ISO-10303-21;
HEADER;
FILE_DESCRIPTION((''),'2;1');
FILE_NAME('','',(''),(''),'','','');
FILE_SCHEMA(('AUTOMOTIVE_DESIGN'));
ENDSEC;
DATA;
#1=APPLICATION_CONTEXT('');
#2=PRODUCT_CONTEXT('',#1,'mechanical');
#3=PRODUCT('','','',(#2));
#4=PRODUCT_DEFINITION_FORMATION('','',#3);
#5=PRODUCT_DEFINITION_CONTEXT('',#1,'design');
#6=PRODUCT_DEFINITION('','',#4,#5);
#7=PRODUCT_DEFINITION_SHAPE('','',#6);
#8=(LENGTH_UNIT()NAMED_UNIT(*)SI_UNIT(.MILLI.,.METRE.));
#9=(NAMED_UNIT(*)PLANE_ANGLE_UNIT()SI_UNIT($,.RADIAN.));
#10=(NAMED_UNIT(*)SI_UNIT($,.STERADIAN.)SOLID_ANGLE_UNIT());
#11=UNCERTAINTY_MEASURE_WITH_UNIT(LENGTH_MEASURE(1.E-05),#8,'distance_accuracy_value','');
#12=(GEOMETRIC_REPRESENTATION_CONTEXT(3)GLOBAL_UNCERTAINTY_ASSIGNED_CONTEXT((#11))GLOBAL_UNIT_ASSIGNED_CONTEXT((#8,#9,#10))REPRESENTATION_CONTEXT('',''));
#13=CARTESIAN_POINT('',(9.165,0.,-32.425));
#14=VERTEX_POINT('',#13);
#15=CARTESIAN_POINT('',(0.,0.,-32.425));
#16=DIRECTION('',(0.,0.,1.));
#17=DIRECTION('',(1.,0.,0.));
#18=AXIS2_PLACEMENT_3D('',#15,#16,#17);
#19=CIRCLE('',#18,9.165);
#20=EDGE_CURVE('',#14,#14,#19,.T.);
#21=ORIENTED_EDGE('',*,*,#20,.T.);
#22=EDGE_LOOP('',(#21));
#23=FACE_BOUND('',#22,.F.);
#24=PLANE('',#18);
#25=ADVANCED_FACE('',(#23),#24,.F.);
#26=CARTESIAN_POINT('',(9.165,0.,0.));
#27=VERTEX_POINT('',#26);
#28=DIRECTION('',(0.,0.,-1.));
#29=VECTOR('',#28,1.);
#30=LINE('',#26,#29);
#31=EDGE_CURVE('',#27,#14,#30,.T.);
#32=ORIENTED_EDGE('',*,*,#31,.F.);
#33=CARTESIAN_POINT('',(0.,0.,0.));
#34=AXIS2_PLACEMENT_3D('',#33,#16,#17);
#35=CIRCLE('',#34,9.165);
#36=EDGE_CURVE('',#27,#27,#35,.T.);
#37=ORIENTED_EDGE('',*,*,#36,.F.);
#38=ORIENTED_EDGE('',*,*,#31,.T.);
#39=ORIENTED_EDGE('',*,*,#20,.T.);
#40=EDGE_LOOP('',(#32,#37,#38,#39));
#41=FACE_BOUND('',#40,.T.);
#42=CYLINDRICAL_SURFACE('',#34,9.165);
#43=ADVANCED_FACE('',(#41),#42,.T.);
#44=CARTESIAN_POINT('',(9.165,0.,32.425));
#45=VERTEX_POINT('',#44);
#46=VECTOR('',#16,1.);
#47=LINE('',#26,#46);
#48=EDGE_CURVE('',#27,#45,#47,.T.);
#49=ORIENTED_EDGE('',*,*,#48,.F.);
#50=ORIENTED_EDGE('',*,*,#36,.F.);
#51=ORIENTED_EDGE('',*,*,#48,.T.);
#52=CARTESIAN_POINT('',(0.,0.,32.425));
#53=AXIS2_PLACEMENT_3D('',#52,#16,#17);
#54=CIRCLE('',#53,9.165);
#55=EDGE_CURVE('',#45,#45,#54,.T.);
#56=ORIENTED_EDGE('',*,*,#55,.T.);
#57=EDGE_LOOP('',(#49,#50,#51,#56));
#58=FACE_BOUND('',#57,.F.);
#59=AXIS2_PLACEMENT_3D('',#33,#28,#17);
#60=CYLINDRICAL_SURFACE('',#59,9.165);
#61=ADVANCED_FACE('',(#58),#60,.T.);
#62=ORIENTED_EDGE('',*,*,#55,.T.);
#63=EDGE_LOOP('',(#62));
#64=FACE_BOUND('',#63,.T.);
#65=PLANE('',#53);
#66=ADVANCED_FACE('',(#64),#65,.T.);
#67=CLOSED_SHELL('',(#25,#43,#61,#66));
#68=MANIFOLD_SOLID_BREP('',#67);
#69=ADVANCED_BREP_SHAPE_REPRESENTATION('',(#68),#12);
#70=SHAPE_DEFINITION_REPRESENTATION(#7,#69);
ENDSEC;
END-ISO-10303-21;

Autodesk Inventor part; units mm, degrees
ref_plane "YZ Plane" through (0, 0, 0) normal (1, 0, 0) x (0, 1, 0)
ref_plane "XZ Plane" through (0, 0, 0) normal (0, 1, 0) x (-1, 0, 0)
ref_plane "XY Plane" through (0, 0, 0) normal (0, 0, 1) x (1, 0, 0)
sketch "Sketch1" plane through (0, 0, 0) normal (0, 0, 1) x (1, 0, 0)
  circle A0 centre (0, 0) radius 9.165
  dimension "d0" = 18.33
extrude "Extrusion1" add sketch "Sketch1" along normal mid plane 64.85
properties part number "batterysingle"
